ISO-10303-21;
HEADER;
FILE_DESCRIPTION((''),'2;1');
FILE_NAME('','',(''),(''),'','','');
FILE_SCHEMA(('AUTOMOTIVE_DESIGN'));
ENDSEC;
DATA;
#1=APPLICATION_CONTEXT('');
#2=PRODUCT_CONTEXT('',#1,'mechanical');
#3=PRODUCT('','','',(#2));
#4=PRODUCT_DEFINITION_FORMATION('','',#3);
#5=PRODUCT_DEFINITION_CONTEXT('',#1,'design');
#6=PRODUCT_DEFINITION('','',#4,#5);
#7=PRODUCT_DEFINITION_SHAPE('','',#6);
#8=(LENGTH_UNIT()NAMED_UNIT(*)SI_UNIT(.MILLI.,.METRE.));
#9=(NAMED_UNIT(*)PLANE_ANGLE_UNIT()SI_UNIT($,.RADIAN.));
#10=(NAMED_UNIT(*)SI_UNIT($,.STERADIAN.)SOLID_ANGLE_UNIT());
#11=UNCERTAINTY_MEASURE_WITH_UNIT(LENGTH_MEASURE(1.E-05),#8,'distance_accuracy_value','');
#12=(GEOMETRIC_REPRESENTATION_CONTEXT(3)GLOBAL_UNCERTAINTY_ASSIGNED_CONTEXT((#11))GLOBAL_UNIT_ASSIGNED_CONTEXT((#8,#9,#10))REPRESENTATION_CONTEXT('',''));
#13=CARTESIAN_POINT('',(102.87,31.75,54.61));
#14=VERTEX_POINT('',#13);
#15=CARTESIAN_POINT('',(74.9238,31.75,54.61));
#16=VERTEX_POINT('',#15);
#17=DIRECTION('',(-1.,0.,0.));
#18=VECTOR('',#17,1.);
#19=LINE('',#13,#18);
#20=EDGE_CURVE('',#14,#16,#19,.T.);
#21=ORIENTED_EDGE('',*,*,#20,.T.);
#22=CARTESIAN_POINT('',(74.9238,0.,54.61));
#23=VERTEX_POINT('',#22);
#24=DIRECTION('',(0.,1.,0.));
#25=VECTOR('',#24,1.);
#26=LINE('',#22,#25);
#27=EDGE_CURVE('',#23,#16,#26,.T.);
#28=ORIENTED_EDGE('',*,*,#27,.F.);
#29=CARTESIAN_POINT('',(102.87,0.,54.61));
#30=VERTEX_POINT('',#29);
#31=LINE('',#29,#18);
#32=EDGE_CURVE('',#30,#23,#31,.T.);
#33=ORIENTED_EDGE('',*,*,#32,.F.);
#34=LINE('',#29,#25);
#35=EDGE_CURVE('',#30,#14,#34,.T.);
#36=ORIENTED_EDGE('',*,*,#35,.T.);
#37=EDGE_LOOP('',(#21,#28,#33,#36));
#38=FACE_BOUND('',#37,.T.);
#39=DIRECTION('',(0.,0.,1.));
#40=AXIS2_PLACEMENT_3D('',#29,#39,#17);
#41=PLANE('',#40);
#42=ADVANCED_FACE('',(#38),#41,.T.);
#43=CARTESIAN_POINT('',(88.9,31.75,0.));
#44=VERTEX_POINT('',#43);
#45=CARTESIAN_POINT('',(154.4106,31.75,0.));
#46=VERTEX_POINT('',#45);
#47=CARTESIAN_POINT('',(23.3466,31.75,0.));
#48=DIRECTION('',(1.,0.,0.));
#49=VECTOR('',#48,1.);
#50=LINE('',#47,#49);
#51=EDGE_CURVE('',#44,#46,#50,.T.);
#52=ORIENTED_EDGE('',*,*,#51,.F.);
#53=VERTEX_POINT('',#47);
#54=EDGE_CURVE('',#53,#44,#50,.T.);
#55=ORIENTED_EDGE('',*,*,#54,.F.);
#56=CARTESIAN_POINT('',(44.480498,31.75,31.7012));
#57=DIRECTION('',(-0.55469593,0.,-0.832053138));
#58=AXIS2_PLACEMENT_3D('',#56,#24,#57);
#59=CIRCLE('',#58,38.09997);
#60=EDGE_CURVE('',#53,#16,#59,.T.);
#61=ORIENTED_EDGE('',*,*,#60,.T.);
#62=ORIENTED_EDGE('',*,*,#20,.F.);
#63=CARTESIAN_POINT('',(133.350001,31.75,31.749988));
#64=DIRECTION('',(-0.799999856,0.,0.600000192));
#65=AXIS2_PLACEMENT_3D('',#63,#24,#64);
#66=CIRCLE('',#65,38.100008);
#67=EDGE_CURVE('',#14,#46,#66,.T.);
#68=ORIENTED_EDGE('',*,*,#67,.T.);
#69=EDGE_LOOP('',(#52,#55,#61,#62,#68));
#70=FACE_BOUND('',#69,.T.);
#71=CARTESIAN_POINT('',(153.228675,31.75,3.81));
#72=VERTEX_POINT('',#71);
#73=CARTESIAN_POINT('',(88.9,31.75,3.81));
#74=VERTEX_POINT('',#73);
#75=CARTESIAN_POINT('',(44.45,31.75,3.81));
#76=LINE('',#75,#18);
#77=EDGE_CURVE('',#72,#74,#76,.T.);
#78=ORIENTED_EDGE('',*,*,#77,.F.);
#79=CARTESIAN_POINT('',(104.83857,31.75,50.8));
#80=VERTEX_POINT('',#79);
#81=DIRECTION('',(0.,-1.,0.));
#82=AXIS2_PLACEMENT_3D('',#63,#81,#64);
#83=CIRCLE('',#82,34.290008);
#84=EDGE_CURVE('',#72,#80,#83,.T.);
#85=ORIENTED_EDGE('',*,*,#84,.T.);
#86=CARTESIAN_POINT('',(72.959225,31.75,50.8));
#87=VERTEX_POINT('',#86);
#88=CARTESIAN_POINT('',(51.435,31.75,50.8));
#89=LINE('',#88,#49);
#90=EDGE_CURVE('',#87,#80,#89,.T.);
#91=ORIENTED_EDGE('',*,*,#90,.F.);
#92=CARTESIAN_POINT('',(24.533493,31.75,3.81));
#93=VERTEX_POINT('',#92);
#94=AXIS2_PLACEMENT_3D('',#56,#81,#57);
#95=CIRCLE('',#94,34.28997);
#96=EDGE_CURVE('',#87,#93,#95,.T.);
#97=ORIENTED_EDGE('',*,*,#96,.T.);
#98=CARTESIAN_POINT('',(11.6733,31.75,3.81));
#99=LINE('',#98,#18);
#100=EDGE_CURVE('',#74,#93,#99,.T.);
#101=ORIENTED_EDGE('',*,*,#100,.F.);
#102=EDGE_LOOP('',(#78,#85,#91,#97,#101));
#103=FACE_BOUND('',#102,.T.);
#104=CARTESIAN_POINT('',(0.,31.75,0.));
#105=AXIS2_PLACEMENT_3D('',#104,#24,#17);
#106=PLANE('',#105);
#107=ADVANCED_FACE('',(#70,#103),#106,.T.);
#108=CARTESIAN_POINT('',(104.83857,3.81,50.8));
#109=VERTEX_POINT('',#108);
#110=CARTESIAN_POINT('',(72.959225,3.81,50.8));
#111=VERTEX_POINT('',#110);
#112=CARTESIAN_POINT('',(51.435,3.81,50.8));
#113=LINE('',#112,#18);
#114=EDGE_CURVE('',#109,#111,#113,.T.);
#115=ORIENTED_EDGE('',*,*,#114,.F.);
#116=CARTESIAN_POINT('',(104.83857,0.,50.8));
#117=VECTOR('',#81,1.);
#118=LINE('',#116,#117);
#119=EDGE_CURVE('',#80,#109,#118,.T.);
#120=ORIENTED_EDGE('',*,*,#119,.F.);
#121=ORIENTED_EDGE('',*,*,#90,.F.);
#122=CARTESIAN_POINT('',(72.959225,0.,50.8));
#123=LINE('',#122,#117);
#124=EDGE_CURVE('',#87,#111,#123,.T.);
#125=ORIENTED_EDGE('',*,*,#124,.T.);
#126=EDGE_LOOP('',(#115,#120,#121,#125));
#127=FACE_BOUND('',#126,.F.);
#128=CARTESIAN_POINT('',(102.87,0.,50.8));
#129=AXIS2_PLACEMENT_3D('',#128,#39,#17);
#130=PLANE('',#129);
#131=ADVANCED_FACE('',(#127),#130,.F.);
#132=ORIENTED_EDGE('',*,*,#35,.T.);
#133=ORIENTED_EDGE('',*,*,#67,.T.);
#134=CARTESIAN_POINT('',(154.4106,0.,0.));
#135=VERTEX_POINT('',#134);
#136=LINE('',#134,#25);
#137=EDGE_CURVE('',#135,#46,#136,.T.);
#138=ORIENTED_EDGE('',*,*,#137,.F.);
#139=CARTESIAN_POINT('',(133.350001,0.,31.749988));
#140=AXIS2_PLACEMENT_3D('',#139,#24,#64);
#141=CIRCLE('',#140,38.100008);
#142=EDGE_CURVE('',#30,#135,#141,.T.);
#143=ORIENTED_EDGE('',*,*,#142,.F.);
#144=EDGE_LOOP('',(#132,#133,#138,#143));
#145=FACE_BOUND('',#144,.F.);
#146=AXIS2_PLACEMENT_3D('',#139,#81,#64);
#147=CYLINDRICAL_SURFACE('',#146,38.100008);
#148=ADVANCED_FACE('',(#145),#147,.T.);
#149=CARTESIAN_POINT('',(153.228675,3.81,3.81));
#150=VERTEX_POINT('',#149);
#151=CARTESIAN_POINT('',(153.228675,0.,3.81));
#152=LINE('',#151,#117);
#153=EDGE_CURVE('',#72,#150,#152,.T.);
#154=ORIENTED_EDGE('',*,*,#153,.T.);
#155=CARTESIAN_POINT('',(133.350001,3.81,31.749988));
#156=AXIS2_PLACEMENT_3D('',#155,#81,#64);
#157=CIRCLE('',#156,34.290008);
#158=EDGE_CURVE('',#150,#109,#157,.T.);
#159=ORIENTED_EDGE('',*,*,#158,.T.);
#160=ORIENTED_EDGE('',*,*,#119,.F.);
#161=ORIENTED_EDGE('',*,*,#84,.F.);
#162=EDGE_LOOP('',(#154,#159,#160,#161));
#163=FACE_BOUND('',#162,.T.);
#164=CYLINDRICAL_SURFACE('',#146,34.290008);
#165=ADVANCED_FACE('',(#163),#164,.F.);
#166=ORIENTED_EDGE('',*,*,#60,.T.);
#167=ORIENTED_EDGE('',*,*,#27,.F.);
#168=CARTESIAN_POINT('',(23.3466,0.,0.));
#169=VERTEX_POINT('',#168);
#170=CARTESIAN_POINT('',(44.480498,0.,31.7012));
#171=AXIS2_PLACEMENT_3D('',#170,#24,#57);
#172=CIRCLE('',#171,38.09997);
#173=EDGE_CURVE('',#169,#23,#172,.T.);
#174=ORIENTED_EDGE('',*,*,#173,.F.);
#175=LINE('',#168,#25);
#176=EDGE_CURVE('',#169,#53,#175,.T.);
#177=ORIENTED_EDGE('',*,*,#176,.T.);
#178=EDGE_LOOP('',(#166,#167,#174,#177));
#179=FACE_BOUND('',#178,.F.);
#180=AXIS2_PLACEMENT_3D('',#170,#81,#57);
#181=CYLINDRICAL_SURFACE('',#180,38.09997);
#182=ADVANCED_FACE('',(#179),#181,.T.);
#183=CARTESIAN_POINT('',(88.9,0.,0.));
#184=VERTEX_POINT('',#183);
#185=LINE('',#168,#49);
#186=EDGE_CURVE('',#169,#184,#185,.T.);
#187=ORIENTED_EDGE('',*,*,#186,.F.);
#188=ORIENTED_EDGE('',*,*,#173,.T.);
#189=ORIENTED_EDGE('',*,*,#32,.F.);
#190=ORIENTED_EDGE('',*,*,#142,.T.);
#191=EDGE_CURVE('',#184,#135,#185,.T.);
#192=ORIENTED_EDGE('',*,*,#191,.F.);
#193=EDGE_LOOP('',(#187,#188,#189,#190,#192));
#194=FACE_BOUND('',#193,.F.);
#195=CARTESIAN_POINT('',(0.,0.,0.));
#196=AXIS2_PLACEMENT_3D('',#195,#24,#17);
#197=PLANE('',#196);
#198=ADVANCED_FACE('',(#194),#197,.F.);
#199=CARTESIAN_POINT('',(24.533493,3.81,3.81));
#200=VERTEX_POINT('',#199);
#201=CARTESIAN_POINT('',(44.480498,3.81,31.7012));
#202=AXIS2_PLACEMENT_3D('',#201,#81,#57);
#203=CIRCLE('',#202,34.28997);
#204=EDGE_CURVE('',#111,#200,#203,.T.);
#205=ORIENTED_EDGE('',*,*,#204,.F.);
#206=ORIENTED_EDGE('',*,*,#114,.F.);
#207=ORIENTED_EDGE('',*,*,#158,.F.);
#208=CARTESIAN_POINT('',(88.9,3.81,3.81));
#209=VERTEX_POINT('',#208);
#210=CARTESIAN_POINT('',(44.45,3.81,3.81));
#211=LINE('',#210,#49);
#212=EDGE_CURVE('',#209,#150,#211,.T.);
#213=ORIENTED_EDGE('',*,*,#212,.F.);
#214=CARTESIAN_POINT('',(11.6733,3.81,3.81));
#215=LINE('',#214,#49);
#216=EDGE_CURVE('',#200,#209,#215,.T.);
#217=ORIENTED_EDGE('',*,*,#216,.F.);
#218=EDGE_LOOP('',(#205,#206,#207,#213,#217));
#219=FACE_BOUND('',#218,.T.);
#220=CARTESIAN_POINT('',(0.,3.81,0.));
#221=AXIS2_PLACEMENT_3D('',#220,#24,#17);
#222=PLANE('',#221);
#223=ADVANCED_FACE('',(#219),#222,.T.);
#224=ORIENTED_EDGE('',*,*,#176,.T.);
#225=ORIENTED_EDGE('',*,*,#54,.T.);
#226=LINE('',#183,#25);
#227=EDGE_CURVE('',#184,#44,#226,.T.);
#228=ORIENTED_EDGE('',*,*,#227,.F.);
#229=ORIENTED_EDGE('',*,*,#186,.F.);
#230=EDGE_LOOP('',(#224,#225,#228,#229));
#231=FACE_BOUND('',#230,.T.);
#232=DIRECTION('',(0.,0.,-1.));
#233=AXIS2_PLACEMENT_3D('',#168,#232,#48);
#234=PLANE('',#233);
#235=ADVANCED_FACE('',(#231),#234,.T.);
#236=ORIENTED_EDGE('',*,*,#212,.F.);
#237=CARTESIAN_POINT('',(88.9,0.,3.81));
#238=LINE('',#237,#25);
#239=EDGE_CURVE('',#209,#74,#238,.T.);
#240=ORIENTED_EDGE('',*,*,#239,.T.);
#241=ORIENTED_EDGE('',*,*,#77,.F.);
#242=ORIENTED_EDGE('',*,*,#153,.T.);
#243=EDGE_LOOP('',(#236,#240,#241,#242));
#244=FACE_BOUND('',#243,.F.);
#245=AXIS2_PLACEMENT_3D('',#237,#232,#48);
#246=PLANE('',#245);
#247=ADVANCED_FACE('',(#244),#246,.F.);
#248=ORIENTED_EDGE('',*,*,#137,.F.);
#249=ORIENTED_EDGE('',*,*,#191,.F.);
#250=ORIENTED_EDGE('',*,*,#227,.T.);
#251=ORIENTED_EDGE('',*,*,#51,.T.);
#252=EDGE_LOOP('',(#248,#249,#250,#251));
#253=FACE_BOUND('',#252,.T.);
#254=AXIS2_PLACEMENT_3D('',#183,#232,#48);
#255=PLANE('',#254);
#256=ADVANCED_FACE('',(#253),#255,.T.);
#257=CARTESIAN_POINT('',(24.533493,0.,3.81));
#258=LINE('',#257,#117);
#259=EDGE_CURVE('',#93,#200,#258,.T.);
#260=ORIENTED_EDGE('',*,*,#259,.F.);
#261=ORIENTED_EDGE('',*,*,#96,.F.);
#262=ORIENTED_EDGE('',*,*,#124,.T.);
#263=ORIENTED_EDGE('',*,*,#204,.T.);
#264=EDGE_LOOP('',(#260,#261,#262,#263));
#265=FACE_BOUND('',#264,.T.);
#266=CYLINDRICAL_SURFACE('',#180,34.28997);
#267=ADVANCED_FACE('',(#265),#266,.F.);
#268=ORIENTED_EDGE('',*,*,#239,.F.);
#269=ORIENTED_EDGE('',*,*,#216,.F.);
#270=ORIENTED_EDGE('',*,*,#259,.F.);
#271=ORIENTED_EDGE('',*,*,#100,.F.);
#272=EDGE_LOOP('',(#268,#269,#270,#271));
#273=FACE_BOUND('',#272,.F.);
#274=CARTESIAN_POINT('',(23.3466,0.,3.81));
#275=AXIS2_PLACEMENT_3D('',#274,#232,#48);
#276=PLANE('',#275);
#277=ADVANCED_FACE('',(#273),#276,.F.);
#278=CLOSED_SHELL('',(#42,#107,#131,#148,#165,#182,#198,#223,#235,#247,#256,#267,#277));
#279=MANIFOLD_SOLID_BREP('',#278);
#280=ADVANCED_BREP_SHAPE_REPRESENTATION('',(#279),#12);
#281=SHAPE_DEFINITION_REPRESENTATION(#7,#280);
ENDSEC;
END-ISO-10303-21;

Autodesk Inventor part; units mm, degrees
ref_plane "YZ Plane" through (0, 0, 0) normal (1, 0, 0) x (0, 1, 0)
ref_plane "XZ Plane" through (0, 0, 0) normal (0, 1, 0) x (-1, 0, 0)
ref_plane "XY Plane" through (0, 0, 0) normal (0, 0, 1) x (1, 0, 0)
sketch "Sketch1" plane through (0, 0, 0) normal (0, 1, 0) x (-1, 0, 0)
  line L0 (-23.3466, 0) -> (-154.4106, 0)
  line L1 (-102.87, 54.61) -> (-74.9238, 54.61)
  line L2 (-88.9, 0) -> (-23.3466, 0)
  line L3 (-88.9, 0) -> (-154.4106, 0)
  arc A0 (-102.87, 54.61) -> (-154.4106, 0) centre (-133.35, 31.75) ccw
  arc A1 (-23.3466, 0) -> (-74.9238, 54.61) centre (-44.4805, 31.7012) ccw
  point P0 (0, 0)
  dimension "d2" = 76.2
  dimension "d3" = 76.2
  dimension "d5" = 131.064
  dimension "d10" = 54.61
extrude "Extrusion1" add sketch "Sketch1" along normal blind 31.75
shell "Shell1" thickness 3.81 removed faces 1 at (84.227, 31.75, 18.2033)
properties part number "paitent remote box"
